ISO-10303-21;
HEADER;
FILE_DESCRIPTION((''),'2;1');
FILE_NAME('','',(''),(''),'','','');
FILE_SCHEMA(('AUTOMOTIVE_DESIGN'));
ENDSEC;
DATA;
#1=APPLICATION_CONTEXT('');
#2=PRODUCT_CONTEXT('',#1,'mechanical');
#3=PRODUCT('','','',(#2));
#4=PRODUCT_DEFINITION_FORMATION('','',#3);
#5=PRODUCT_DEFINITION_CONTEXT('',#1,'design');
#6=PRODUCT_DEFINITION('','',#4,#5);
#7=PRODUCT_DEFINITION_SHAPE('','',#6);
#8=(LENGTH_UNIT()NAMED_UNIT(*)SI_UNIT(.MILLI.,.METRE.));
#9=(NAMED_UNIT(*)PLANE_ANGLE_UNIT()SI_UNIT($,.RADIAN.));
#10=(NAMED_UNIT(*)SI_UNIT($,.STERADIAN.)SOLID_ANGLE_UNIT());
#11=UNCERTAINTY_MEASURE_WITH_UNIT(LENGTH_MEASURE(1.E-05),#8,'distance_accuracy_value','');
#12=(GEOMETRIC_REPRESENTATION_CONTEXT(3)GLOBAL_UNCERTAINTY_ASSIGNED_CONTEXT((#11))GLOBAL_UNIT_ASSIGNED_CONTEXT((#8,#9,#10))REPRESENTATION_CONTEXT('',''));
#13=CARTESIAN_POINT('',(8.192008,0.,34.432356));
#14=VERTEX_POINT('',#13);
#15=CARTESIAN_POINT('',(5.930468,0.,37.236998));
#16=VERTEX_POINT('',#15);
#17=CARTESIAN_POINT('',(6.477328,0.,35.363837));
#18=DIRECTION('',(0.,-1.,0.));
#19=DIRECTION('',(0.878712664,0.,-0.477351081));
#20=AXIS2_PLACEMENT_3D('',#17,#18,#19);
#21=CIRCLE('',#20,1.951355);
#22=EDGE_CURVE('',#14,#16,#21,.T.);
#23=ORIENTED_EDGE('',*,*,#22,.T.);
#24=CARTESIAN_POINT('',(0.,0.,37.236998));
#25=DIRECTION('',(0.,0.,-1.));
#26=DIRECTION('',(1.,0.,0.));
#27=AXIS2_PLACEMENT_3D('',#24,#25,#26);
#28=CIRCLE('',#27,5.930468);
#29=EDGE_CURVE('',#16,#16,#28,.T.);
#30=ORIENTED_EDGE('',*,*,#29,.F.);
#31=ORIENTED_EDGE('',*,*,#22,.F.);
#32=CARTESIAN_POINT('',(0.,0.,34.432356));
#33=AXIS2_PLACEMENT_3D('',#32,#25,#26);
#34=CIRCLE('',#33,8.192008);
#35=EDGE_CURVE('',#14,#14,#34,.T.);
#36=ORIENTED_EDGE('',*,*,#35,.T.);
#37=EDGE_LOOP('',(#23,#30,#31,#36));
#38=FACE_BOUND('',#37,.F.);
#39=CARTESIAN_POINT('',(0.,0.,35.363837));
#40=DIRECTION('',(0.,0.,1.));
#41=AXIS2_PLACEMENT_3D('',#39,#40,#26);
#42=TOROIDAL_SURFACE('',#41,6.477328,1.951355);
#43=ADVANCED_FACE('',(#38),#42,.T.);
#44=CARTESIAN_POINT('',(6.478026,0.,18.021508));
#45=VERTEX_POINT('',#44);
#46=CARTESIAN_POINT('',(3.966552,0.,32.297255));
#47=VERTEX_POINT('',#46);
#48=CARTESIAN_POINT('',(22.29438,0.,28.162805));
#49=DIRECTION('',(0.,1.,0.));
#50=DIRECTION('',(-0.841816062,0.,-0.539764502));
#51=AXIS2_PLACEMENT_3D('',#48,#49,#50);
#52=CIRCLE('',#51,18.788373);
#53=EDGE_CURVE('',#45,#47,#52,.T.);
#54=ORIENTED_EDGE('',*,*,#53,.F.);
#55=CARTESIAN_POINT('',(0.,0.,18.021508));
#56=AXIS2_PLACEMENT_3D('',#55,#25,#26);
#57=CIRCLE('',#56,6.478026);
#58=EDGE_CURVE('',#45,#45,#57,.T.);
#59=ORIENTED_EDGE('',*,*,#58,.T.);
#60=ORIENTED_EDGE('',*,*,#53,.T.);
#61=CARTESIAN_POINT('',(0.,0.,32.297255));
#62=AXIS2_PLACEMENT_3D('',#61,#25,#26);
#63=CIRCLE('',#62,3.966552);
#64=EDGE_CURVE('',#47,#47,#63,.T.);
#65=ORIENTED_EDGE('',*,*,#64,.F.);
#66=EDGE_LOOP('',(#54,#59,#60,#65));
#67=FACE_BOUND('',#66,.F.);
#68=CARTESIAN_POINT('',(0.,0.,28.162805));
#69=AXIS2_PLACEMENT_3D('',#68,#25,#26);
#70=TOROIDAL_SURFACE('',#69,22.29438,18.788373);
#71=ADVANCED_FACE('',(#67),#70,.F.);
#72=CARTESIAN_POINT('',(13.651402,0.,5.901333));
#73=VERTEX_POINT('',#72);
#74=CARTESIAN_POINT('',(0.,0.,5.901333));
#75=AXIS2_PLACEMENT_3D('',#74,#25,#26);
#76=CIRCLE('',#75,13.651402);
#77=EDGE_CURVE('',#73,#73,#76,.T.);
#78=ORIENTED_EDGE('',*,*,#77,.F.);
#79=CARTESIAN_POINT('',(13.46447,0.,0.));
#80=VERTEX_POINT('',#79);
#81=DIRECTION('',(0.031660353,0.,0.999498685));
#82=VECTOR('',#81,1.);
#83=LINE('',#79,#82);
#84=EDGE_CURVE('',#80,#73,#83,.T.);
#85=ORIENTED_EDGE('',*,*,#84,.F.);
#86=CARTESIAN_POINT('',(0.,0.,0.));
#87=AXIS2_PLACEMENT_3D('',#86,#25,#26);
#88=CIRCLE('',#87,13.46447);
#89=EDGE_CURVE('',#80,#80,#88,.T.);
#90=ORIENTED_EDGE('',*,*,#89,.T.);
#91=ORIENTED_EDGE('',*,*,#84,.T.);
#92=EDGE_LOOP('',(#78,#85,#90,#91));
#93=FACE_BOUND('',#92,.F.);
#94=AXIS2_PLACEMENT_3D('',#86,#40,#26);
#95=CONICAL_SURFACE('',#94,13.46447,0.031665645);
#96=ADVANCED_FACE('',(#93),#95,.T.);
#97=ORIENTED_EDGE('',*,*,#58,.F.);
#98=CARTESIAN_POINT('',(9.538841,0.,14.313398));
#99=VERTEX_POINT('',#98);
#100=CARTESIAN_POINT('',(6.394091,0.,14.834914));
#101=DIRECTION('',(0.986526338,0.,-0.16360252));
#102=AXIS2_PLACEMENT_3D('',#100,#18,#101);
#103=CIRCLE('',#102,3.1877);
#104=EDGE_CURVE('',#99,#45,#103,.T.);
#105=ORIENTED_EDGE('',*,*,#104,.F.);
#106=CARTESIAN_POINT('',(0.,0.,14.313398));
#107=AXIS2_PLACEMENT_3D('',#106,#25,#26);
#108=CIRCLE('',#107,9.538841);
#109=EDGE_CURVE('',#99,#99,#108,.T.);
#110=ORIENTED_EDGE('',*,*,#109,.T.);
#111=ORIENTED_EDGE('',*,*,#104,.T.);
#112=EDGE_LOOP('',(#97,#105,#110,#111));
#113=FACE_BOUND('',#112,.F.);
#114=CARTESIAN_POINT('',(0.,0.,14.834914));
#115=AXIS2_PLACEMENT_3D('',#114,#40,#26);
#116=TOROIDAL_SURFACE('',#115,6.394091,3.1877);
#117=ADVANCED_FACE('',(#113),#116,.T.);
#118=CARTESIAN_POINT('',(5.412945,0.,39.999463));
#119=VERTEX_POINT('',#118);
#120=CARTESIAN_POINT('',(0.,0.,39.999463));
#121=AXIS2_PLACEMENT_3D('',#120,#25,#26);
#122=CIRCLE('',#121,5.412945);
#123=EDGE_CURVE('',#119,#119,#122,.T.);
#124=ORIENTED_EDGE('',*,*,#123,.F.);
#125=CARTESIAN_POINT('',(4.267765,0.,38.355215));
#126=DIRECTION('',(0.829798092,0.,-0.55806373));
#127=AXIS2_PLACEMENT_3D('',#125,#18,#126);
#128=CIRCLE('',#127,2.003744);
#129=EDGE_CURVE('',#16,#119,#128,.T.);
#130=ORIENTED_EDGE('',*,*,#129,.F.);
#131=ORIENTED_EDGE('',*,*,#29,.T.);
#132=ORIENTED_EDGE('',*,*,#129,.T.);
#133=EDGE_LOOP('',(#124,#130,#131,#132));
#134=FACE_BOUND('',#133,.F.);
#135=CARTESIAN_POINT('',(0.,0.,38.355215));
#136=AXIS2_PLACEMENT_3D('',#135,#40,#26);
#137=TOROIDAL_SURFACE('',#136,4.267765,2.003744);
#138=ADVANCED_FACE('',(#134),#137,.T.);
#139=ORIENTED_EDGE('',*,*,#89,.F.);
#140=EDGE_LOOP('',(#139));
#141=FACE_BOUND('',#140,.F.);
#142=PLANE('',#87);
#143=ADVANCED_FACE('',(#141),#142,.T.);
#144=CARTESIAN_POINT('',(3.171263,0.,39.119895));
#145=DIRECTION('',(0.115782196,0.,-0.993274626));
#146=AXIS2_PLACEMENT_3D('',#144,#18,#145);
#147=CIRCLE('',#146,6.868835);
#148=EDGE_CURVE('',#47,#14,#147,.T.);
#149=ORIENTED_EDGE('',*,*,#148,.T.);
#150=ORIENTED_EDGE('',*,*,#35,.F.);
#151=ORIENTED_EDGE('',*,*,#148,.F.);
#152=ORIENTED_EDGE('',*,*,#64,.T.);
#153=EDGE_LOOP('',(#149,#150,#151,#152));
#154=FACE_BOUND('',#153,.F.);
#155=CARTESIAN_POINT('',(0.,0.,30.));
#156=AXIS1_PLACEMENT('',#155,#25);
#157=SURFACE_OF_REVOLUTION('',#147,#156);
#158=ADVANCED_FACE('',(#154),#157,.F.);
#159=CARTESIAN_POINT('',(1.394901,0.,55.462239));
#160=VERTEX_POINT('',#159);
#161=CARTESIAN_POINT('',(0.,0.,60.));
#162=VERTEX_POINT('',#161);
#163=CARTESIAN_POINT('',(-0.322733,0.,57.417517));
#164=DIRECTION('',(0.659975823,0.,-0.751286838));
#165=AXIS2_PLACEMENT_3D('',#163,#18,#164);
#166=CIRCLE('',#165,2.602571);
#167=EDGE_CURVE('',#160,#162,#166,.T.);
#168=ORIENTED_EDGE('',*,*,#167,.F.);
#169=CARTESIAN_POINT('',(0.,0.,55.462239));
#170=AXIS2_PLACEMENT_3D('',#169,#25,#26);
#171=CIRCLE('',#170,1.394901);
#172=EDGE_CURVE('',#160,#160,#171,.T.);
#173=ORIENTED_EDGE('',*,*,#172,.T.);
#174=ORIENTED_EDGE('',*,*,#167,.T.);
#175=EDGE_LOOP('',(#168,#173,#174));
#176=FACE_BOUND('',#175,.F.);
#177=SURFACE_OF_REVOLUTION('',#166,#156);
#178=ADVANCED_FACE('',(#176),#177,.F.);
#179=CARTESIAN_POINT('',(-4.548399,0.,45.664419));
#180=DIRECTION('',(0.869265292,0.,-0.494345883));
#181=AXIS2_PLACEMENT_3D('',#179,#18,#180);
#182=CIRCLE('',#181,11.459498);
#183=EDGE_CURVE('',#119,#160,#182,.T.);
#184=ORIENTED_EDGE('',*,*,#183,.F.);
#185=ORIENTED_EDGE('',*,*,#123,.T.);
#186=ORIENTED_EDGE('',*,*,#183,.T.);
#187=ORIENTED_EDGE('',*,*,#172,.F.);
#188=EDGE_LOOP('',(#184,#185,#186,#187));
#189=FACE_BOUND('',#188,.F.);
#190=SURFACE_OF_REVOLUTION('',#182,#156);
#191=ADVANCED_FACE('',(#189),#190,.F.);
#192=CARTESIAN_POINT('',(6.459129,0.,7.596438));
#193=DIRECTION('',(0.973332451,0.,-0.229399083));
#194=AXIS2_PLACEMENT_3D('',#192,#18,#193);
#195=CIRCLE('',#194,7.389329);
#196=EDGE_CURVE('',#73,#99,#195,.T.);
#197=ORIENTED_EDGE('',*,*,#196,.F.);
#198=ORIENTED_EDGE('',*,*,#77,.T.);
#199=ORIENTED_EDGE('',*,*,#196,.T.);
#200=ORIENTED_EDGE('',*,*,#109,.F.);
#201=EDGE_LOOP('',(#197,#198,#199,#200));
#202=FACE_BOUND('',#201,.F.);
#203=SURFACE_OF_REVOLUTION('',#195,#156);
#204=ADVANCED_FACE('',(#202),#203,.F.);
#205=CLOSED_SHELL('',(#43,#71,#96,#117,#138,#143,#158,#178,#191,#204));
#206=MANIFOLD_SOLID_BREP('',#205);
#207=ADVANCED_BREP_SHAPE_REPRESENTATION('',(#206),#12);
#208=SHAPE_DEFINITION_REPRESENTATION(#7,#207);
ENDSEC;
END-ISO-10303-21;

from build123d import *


with BuildPart() as f1:
    # F0 (on Front) → F1 (revolve)
    with BuildSketch(Plane.XZ):
        with BuildLine():
            Line((0, 60), (0, 0))
            Line((0, 0), (13.46447, 0))
            Line((13.46447, 0), (13.651402, 5.901333))
            ThreePointArc((13.651402, 5.901333), (13.097587, 10.841904), (9.538841, 14.313398))
            ThreePointArc((9.538841, 14.313398), (8.852469, 16.864152), (6.478026, 18.021508))
            ThreePointArc((6.478026, 18.021508), (3.790177, 24.907436), (3.966552, 32.297255))
            ThreePointArc((3.966552, 32.297255), (6.269041, 32.989261), (8.192008, 34.432356))
            ThreePointArc((8.192008, 34.432356), (7.996359, 36.588717), (5.930468, 37.236998))
            ThreePointArc((5.930468, 37.236998), (6.237246, 38.724179), (5.412945, 39.999463))
            ThreePointArc((5.412945, 39.999463), (6.542759, 48.546486), (1.394901, 55.462239))
            ThreePointArc((1.394901, 55.462239), (2.164955, 58.182229), (0, 60))
        make_face()
    revolve(axis=Axis((0, 0, 30), (0, 0, -1)))


solid = f1.part
